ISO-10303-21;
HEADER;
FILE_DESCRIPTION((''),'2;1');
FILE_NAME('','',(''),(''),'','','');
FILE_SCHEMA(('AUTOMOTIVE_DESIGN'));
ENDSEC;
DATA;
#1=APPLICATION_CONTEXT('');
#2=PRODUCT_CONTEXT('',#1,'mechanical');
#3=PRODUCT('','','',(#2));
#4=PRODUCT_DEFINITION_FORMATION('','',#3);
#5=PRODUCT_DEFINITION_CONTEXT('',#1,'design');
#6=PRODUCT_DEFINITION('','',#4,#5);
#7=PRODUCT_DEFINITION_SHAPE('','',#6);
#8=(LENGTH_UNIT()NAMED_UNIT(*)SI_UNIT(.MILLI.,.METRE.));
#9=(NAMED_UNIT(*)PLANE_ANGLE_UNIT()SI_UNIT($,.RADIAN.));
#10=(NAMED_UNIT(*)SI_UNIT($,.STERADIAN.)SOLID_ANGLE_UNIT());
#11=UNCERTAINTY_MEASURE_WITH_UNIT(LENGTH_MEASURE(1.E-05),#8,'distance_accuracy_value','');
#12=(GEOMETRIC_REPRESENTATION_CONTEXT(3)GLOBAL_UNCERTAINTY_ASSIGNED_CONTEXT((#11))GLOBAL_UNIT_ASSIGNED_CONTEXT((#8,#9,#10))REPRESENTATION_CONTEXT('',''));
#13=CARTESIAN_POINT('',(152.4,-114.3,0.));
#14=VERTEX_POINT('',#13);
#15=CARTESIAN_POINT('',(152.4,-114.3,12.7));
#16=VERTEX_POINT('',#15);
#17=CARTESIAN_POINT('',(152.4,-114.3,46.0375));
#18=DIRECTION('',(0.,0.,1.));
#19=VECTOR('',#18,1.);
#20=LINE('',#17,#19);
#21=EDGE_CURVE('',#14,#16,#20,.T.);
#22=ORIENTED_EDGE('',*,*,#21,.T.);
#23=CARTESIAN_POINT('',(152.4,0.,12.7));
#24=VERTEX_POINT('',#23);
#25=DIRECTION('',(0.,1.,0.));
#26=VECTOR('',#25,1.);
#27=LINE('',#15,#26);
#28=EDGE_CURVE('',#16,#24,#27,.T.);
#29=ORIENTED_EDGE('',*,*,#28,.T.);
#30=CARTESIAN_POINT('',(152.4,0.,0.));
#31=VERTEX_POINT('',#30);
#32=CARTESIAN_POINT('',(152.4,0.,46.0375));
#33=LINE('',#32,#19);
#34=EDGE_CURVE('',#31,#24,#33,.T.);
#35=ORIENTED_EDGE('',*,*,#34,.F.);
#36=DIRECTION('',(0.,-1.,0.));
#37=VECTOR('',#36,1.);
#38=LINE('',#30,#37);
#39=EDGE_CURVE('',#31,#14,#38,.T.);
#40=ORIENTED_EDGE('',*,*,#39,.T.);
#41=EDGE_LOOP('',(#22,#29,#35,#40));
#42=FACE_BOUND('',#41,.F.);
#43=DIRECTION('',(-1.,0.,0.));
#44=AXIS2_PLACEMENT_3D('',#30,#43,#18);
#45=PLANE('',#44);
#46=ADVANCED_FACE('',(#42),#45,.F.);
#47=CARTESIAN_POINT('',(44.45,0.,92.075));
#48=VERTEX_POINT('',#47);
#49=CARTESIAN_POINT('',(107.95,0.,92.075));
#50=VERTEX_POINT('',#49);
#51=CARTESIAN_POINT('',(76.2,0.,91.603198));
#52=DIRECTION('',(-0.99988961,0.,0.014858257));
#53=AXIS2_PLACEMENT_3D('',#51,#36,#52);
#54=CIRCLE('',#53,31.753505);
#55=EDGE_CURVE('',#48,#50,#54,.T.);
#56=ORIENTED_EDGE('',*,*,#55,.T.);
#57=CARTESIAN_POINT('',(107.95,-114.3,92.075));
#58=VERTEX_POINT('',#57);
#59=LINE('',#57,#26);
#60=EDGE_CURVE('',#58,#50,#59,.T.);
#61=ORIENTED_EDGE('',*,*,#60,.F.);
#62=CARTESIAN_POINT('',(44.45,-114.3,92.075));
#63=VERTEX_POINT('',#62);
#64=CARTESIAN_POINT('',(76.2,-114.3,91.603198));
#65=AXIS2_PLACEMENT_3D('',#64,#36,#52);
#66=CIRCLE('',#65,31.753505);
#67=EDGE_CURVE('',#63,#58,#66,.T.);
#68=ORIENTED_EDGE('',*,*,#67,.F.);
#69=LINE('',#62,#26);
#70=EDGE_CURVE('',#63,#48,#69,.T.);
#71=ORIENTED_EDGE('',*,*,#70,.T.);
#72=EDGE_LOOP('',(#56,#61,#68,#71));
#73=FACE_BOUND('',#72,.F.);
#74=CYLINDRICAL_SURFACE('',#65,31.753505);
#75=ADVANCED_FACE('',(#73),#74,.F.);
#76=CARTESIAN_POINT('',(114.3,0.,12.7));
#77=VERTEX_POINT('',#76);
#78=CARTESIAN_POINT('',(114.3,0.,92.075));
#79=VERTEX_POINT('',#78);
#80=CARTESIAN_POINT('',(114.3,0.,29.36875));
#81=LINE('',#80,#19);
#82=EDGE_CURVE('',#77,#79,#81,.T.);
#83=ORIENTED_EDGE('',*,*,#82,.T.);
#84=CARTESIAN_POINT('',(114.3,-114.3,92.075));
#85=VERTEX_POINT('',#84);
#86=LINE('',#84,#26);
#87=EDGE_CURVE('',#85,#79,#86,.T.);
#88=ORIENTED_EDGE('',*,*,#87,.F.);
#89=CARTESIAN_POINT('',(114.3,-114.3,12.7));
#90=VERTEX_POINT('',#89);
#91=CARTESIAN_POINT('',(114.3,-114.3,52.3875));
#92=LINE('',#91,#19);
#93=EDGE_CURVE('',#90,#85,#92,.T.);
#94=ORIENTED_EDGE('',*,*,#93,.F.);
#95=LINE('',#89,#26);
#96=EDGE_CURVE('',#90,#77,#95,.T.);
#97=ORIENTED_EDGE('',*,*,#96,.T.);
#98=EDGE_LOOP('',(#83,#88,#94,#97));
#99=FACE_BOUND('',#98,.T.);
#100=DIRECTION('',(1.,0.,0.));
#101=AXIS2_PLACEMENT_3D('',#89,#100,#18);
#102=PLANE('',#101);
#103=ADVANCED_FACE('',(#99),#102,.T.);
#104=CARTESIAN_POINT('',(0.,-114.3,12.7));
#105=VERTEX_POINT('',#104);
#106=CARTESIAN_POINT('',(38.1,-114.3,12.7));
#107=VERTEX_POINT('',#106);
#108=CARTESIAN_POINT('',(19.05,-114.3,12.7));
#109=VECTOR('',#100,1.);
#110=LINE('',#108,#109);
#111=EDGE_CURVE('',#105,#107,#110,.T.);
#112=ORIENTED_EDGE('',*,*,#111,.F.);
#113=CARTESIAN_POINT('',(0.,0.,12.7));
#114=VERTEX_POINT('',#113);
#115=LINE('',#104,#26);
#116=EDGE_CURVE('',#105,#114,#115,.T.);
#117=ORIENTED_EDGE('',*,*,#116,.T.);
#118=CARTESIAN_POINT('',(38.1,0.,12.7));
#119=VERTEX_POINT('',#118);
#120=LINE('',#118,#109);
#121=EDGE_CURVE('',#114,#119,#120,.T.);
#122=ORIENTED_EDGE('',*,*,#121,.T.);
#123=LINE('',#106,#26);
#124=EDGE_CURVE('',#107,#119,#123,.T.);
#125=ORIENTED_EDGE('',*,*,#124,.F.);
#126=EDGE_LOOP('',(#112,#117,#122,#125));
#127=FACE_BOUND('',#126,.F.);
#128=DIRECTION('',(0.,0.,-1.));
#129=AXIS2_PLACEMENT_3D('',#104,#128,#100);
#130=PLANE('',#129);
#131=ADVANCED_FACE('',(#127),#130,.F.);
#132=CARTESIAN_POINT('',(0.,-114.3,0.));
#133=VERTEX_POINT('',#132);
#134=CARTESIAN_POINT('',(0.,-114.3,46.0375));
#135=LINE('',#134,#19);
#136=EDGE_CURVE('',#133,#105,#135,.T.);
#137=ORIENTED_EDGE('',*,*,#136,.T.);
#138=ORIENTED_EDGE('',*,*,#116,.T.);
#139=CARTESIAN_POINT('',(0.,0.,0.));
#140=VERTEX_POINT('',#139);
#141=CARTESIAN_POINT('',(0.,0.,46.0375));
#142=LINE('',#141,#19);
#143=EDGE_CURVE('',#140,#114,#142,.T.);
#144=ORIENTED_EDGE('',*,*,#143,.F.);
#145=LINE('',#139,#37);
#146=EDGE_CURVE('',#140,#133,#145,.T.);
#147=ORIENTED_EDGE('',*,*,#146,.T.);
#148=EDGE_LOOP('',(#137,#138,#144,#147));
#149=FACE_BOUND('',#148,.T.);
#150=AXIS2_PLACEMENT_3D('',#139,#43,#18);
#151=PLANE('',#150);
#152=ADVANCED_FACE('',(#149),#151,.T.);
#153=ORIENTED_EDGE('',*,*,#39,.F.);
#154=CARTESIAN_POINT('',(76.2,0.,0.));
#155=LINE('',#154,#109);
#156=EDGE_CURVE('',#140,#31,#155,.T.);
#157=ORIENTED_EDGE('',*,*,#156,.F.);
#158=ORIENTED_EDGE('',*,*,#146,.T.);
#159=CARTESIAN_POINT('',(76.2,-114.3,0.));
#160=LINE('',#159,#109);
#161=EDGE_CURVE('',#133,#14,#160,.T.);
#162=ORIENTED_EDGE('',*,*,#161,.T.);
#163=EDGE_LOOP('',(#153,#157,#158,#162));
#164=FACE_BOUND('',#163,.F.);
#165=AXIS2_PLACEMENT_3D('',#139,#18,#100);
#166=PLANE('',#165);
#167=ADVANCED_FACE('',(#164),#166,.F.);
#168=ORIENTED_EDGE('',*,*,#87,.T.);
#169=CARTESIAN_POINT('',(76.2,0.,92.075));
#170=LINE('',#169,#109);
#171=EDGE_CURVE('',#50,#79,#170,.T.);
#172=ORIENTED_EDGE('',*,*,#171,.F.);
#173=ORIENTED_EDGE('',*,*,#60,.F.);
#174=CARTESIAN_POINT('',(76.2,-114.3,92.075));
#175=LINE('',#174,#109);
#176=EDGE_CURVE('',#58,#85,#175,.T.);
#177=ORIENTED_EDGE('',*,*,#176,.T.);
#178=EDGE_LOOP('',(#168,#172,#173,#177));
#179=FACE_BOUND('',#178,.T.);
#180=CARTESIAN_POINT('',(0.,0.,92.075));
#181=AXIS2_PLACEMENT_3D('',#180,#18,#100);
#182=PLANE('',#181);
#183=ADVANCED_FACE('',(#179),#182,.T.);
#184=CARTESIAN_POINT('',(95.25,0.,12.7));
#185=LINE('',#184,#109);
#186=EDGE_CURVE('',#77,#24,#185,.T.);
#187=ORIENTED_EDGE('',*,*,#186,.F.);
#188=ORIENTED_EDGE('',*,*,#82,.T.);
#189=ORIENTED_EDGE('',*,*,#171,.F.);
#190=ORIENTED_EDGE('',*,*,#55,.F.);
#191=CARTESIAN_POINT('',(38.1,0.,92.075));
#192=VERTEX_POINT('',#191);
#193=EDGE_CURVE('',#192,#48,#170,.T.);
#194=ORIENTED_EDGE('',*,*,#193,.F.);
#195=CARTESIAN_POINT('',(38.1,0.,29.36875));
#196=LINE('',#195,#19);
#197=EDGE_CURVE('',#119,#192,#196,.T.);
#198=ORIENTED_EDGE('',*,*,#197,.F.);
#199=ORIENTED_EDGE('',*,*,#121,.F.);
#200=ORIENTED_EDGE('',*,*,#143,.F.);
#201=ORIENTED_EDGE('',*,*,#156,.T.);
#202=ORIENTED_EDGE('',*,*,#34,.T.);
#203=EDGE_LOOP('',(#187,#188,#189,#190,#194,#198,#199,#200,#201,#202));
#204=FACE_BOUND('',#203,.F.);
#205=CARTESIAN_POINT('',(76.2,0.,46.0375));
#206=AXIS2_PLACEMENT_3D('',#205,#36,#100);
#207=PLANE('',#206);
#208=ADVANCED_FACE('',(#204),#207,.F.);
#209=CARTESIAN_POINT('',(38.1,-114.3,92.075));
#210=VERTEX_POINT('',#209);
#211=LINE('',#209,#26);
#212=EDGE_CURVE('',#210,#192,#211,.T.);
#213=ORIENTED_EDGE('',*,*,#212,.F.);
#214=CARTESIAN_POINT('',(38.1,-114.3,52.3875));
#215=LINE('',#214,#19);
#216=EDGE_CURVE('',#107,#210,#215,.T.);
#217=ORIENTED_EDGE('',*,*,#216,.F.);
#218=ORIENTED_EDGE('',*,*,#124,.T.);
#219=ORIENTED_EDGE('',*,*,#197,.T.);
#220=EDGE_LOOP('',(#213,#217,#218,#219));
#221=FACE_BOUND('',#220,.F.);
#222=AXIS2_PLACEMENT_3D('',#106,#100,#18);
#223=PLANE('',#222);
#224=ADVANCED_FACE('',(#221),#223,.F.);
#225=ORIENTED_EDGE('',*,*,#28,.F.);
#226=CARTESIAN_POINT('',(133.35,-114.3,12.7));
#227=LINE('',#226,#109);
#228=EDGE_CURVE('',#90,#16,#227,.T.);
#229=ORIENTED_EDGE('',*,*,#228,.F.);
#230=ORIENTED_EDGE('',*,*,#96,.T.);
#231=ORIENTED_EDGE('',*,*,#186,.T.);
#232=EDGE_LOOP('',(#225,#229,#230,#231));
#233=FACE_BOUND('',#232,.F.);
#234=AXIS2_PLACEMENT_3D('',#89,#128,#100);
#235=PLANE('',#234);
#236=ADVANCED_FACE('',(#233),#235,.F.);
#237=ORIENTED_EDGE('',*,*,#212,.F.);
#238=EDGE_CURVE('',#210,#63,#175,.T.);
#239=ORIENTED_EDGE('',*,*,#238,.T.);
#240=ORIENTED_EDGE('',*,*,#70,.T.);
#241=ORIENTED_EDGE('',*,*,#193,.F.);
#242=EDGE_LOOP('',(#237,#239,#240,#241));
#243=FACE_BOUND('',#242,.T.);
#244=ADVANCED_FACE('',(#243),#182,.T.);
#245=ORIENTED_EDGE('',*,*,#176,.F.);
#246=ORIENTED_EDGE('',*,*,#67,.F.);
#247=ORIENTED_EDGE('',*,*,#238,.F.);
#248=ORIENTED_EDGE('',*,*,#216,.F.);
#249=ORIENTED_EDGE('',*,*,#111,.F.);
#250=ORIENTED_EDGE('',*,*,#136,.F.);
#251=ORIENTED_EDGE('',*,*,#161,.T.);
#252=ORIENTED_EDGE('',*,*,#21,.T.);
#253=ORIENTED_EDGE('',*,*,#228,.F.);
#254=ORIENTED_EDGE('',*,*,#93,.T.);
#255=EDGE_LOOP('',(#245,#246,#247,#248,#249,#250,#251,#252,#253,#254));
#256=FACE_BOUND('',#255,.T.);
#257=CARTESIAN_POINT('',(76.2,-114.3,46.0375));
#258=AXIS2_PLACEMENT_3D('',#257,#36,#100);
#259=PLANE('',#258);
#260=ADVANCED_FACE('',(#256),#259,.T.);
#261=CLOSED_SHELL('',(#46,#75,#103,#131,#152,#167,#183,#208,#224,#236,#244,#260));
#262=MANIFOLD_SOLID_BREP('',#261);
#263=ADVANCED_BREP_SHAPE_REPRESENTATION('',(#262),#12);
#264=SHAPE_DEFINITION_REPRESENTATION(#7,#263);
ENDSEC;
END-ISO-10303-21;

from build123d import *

# Parameters (mm, degrees)
F0_W     = 152.4
F0_H     = 92.075
F1_DEPTH = 114.3
F2_W     = 38.1
F2_H     = 79.375
F3_DEPTH = 114.301
F5_DEPTH = 114.301


with BuildPart() as f1:
    # F0 (on Front) → F1 (new body)
    with BuildSketch(Plane.XZ):
        with Locations((76.2, 46.0375)):
            Rectangle(F0_W, F0_H)
    extrude(amount=F1_DEPTH)

    # F2 (on face) → F3 (cut, through all)
    with BuildSketch(Plane.XZ.offset(114.3)):
        with Locations((19.05, 52.3875)):
            Rectangle(F2_W, F2_H)
        with Locations((133.35, 52.3875)):
            Rectangle(F2_W, F2_H)
    extrude(amount=-F3_DEPTH, mode=Mode.SUBTRACT)

    # F4 (on face) → F5 (cut, through all)
    with BuildSketch(Plane.XZ.offset(114.3)):
        with BuildLine():
            Line((107.95, 92.075), (44.45, 92.075))
            ThreePointArc((44.45, 92.075), (76.2, 59.849693), (107.95, 92.075))
        make_face()
    extrude(amount=-F5_DEPTH, mode=Mode.SUBTRACT)


solid = f1.part
